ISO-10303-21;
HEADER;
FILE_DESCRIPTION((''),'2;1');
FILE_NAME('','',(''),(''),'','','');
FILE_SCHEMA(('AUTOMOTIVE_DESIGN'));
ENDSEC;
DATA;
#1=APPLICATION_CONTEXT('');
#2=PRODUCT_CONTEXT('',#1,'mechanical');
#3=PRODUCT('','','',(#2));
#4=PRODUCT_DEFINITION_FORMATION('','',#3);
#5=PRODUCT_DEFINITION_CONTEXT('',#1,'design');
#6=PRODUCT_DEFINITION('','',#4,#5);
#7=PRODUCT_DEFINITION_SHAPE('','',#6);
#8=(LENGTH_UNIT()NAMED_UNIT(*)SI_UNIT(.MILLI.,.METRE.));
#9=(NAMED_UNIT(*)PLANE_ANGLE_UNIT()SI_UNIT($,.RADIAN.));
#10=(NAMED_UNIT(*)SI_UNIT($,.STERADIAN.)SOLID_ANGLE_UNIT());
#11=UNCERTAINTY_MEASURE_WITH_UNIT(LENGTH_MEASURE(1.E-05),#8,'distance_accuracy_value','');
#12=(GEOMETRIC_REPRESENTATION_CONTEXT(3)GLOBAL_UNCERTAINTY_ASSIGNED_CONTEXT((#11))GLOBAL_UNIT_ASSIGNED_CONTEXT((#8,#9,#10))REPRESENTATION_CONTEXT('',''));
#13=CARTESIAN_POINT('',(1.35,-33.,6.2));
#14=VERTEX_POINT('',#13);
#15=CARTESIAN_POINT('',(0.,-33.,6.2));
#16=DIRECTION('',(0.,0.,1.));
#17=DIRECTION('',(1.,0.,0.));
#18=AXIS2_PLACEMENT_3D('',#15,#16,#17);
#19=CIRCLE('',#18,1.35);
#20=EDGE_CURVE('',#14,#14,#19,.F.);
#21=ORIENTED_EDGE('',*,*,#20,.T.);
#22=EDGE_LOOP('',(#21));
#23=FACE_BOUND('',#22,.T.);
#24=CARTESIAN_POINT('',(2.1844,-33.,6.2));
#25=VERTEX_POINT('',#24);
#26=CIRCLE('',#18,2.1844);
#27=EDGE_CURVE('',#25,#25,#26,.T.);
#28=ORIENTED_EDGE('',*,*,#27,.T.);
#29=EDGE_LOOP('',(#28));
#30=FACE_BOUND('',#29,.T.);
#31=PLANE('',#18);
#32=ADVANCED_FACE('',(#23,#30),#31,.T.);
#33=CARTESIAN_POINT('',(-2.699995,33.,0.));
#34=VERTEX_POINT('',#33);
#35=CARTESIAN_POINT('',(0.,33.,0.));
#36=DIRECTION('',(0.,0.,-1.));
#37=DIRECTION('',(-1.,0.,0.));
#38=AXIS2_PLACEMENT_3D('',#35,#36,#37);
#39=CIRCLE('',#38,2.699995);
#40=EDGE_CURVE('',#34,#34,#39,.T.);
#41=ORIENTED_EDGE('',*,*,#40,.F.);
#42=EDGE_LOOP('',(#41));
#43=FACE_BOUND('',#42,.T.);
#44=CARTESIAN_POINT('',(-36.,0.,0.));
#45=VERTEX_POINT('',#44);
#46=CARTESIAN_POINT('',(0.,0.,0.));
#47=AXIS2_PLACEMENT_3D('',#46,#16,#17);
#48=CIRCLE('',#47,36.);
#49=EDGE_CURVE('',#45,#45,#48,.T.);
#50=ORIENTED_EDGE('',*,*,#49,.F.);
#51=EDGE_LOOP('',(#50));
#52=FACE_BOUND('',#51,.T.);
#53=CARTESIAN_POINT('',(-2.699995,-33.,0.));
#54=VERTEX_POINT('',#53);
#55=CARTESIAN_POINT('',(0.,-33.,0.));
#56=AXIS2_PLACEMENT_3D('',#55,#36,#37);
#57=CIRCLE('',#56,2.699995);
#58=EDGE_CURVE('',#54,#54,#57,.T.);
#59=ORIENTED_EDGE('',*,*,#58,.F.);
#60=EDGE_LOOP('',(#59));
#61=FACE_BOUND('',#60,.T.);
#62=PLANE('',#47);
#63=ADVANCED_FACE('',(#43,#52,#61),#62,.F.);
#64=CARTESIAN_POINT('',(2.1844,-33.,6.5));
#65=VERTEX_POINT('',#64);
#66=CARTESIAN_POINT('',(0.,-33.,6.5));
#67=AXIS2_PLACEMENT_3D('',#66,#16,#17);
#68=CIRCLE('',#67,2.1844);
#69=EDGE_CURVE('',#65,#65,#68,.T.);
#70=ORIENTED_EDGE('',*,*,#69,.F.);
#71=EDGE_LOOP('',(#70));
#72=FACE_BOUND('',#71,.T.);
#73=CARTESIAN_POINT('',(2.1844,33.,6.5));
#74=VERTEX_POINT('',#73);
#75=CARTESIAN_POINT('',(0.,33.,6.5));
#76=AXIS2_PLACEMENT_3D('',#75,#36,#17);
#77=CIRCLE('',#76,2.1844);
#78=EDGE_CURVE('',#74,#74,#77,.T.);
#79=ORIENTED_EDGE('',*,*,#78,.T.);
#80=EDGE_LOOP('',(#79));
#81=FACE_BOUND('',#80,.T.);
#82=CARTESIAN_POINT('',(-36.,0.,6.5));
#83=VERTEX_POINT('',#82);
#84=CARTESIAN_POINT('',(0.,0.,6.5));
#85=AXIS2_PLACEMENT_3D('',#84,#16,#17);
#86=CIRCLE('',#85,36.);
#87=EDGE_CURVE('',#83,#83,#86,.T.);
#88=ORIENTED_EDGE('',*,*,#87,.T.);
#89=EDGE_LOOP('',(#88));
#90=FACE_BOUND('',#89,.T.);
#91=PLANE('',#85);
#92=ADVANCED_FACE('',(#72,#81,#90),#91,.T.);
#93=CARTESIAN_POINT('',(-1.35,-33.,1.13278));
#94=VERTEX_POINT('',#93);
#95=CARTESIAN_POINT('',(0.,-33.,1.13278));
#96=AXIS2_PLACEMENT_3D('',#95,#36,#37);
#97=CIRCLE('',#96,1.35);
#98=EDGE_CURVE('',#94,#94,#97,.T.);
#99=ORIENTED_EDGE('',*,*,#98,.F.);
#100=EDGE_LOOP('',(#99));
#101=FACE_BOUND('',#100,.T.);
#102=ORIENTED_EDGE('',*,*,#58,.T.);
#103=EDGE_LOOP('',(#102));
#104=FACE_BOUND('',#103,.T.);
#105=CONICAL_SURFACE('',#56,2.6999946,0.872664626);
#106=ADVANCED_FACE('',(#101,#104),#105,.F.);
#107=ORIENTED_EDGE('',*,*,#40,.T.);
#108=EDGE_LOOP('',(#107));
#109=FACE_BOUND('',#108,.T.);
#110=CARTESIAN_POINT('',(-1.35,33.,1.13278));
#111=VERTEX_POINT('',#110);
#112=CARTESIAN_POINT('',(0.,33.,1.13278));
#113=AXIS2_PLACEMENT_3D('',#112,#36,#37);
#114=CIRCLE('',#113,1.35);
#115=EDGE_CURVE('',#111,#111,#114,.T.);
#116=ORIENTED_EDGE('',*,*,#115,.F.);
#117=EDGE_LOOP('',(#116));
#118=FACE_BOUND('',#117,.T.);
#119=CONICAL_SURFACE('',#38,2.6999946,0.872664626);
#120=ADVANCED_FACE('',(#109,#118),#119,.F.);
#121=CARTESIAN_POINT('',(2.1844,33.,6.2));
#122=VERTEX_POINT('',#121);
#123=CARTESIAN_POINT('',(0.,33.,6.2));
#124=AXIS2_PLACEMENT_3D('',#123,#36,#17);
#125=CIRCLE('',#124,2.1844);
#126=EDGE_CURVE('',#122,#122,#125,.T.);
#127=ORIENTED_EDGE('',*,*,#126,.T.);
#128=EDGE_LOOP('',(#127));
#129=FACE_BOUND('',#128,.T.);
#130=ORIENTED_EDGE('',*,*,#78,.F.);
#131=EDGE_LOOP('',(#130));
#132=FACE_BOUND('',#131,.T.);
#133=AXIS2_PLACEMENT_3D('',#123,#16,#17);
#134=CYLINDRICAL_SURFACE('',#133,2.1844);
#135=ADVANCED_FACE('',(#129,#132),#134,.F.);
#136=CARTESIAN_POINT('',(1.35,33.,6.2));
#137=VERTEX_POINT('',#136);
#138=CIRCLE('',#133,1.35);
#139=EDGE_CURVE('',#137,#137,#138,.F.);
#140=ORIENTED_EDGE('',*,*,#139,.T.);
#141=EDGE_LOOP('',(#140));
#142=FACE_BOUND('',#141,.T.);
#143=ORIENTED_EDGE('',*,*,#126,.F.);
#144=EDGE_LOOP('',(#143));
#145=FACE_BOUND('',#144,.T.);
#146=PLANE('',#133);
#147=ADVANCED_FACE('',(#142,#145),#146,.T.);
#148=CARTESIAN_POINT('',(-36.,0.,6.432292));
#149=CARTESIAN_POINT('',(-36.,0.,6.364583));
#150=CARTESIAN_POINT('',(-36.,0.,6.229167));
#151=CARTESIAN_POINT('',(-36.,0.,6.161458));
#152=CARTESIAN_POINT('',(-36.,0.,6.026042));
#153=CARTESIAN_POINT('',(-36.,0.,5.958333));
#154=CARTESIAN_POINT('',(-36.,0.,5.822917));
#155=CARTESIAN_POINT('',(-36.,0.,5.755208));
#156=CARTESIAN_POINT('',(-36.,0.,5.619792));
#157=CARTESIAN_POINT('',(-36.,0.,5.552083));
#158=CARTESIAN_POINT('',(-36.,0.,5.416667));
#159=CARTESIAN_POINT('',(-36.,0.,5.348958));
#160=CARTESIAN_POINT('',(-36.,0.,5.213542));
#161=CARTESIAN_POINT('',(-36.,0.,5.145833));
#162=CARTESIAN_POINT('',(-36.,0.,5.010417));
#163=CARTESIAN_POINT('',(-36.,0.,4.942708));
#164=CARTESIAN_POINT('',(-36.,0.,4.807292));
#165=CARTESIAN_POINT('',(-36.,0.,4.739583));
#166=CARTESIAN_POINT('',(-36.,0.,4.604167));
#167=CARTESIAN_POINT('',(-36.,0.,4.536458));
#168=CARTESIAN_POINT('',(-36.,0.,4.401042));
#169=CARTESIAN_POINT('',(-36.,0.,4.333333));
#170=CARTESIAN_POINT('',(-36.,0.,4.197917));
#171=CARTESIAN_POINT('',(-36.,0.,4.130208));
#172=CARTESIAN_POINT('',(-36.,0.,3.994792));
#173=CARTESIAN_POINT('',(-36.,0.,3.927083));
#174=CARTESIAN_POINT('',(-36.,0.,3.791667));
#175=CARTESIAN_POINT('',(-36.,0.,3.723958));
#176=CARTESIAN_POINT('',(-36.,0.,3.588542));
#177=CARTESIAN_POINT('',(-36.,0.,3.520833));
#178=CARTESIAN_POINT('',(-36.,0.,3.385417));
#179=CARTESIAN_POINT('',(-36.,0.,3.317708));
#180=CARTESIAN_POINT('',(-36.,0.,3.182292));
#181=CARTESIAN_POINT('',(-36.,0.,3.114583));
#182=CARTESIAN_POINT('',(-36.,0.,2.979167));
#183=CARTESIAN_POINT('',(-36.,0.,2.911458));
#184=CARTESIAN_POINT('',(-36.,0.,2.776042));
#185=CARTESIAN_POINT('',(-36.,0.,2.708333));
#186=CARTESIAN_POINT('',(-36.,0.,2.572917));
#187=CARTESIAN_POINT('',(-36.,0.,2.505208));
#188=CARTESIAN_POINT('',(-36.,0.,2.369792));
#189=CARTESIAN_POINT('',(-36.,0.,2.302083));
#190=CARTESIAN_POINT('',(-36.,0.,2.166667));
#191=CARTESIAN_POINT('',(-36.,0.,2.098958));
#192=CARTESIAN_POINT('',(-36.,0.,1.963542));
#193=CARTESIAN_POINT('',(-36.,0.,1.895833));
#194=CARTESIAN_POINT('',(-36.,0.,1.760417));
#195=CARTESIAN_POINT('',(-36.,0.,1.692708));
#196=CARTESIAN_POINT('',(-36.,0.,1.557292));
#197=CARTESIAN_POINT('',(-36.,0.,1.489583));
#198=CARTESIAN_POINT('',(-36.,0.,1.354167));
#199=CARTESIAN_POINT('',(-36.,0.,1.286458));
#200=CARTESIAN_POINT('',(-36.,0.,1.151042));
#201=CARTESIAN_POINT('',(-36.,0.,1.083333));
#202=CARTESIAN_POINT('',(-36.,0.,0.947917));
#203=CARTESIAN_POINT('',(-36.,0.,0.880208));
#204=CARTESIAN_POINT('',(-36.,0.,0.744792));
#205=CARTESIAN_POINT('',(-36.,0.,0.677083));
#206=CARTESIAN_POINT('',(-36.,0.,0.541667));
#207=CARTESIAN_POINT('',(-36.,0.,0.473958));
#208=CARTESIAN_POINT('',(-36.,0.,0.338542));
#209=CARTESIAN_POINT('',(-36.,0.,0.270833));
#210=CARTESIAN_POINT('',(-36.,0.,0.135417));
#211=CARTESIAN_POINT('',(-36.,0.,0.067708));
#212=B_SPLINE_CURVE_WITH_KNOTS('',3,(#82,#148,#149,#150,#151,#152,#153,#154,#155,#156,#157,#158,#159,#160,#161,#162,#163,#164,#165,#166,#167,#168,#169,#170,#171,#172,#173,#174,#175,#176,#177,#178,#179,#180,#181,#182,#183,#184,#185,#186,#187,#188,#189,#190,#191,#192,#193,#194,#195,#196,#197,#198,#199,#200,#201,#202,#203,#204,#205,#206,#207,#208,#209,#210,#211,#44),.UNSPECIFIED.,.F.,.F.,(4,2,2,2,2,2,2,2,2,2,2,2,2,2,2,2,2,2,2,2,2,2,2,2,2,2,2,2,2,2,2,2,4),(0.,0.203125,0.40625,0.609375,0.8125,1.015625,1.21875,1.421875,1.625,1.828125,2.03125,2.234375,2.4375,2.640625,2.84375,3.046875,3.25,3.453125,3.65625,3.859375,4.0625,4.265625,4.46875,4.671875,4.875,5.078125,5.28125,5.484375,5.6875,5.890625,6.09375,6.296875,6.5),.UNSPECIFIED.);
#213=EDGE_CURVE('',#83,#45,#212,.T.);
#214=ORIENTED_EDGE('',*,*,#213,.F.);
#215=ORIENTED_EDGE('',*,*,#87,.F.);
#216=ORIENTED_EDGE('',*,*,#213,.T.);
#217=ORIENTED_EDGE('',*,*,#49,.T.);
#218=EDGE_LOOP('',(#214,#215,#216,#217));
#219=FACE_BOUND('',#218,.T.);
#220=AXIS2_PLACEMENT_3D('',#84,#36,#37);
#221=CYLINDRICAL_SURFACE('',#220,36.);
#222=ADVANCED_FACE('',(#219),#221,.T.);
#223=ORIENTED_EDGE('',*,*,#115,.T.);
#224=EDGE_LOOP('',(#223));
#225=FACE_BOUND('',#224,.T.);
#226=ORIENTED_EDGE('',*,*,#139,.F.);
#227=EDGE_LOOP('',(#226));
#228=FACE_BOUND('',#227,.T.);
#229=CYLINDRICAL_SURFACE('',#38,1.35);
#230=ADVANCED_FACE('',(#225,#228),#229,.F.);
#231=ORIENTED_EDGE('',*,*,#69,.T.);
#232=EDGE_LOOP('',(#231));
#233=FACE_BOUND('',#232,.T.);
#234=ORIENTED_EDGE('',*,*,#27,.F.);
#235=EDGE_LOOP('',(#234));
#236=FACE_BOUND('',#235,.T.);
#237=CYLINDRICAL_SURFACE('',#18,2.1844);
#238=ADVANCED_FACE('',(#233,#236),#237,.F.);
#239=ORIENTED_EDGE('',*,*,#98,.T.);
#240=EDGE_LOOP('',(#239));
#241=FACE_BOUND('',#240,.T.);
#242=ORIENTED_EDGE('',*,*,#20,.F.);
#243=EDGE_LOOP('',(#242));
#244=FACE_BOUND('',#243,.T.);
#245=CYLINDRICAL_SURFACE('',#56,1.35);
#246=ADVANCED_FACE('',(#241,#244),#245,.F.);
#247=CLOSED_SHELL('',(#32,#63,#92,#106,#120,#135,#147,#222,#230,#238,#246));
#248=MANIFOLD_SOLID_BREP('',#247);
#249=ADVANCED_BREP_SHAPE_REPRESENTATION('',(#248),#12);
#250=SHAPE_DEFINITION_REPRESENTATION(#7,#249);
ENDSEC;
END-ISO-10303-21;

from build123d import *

# Parameters (mm, degrees)
SKETCH1_R           = 36
BOSS_EXTRUDE1_DEPTH = 6.5
SKETCH11_R          = 2.1844
CUT_EXTRUDE3_DEPTH  = 0.3


with BuildPart() as part:
    # Sketch1 → Boss-Extrude1 (new body)
    with BuildSketch(Plane.XY):
        with Locations(Location((0, 0, 0), (0, 0, 180))):
            Circle(SKETCH1_R)
    extrude(amount=BOSS_EXTRUDE1_DEPTH)

    # Sketch10 → #4-40 Tapped Hole1 (revolve, cut)
    with BuildSketch(Plane(origin=(0, -33, 0), x_dir=(0, 1, 0), z_dir=(1, 0, 0))):
        Polygon((0, 0), (0, 7.311161816), (1.349999967, 6.5), (1.349999967, 1.132779999), (2.6999946, 0), align=None)
    f_4_40_tapped_hole1 = revolve(axis=Axis((0, -33, -6.35), (0, 0, 1)), mode=Mode.SUBTRACT)

    # Sketch11 → Cut-Extrude3 (cut)
    with BuildSketch(Plane.XY.offset(6.5)):
        with Locations((0, -33)):
            Circle(SKETCH11_R)
    cut_extrude3 = extrude(amount=-CUT_EXTRUDE3_DEPTH, mode=Mode.SUBTRACT)

    # Mirror1: #4-40 Tapped Hole1, Cut-Extrude3 across plane
    add(f_4_40_tapped_hole1.mirror(Plane(origin=(0, 0, 0), x_dir=(0, 0, 1), z_dir=(0, -1, 0))), mode=Mode.SUBTRACT)
    add(cut_extrude3.mirror(Plane(origin=(0, 0, 0), x_dir=(0, 0, 1), z_dir=(0, -1, 0))), mode=Mode.SUBTRACT)


solid = part.part
